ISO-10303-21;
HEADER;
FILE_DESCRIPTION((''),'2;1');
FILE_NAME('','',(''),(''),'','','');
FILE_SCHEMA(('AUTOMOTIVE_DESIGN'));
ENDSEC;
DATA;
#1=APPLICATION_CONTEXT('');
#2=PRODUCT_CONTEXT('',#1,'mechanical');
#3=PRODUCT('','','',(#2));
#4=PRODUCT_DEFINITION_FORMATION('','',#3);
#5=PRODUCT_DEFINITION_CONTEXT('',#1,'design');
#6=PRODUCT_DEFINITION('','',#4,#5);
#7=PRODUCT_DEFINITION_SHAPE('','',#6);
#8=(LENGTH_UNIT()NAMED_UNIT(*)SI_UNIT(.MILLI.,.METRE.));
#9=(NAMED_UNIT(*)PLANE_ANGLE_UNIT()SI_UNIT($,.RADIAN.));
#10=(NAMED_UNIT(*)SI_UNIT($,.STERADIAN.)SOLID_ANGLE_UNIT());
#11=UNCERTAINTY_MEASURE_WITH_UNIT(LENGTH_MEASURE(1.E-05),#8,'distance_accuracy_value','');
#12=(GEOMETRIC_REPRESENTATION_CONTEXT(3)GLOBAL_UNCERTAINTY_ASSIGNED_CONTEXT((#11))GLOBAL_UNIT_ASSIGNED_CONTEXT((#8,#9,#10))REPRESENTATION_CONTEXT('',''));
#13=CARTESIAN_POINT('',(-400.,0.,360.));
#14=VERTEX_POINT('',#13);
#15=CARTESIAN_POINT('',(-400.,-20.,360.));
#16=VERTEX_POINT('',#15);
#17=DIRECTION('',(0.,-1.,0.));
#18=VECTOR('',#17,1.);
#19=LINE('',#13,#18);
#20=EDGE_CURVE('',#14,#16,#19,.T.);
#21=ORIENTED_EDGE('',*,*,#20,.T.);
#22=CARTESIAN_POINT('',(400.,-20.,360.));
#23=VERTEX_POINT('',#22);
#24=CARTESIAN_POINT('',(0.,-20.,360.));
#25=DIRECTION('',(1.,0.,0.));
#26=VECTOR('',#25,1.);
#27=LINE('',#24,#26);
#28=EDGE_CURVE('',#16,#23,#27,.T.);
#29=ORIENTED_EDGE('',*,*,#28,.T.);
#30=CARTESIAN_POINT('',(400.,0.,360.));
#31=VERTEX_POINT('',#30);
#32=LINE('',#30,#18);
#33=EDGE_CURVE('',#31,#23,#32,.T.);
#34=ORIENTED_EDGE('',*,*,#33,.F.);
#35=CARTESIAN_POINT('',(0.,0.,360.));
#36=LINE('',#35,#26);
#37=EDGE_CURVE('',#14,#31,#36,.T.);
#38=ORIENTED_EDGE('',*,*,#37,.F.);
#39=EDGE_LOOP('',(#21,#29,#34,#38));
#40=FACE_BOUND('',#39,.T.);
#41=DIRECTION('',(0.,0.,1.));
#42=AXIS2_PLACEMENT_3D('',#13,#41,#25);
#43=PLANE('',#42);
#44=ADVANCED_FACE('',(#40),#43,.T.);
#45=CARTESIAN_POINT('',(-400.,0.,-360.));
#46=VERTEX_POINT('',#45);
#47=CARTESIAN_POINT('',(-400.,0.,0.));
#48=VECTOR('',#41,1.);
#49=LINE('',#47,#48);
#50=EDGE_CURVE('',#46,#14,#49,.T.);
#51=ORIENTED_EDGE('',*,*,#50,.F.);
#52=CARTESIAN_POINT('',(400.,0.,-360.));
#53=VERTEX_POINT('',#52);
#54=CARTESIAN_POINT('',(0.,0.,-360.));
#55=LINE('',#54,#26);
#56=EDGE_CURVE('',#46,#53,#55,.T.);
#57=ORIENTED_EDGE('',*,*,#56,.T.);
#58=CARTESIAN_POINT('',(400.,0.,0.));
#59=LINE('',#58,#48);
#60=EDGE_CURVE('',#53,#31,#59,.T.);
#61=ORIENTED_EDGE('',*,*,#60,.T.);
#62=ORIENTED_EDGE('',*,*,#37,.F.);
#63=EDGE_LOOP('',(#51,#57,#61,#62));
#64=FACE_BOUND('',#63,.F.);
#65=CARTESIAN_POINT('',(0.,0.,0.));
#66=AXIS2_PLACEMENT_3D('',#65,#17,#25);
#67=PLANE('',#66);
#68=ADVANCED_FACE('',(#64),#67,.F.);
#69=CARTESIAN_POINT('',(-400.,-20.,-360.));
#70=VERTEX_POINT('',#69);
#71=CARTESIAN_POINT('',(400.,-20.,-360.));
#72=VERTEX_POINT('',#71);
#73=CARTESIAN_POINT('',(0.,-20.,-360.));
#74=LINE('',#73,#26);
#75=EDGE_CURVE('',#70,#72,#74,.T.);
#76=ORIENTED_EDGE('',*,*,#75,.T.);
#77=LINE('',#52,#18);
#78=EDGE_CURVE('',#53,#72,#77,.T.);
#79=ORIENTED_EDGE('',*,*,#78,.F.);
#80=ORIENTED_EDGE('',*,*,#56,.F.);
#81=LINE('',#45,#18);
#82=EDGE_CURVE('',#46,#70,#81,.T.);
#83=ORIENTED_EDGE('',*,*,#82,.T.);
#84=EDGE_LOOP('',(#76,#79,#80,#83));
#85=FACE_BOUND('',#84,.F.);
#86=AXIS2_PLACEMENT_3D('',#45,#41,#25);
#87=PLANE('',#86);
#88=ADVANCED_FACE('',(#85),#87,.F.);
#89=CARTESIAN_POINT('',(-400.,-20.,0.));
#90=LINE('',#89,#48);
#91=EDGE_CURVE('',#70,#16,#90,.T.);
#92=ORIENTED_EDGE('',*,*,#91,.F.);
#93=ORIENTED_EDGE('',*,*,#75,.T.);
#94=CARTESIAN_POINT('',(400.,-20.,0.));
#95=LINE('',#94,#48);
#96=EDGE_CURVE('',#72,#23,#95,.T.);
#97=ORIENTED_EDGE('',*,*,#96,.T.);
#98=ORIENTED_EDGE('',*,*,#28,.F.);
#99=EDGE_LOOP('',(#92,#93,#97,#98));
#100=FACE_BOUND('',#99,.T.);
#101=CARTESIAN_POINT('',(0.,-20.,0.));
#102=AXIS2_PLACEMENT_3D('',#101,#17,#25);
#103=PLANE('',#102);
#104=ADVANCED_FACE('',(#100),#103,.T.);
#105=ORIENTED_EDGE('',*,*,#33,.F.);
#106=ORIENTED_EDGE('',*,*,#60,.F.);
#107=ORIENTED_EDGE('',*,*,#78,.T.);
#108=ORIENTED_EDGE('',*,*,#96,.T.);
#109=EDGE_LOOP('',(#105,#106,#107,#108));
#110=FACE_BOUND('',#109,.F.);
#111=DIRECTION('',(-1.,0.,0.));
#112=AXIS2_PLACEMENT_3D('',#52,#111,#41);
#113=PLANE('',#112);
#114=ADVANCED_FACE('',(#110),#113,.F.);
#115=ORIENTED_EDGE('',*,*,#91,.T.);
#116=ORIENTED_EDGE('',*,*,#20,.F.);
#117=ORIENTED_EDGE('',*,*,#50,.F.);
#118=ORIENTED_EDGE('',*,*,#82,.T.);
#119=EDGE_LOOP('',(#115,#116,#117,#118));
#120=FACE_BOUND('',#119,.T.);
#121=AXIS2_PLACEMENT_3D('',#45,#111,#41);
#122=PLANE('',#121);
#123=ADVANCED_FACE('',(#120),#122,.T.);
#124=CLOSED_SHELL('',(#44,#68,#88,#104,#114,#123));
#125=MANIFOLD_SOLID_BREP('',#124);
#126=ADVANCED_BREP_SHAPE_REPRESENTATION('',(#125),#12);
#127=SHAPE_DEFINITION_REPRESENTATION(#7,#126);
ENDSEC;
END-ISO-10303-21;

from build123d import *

# Parameters (mm, degrees)
SKETCH_W  = 800
SKETCH_H  = 720
PAD_DEPTH = 20


with BuildPart() as part:
    # Sketch → Pad (new body)
    with BuildSketch(Plane.XZ):
        Rectangle(SKETCH_W, SKETCH_H)
    extrude(amount=PAD_DEPTH)


solid = part.part
